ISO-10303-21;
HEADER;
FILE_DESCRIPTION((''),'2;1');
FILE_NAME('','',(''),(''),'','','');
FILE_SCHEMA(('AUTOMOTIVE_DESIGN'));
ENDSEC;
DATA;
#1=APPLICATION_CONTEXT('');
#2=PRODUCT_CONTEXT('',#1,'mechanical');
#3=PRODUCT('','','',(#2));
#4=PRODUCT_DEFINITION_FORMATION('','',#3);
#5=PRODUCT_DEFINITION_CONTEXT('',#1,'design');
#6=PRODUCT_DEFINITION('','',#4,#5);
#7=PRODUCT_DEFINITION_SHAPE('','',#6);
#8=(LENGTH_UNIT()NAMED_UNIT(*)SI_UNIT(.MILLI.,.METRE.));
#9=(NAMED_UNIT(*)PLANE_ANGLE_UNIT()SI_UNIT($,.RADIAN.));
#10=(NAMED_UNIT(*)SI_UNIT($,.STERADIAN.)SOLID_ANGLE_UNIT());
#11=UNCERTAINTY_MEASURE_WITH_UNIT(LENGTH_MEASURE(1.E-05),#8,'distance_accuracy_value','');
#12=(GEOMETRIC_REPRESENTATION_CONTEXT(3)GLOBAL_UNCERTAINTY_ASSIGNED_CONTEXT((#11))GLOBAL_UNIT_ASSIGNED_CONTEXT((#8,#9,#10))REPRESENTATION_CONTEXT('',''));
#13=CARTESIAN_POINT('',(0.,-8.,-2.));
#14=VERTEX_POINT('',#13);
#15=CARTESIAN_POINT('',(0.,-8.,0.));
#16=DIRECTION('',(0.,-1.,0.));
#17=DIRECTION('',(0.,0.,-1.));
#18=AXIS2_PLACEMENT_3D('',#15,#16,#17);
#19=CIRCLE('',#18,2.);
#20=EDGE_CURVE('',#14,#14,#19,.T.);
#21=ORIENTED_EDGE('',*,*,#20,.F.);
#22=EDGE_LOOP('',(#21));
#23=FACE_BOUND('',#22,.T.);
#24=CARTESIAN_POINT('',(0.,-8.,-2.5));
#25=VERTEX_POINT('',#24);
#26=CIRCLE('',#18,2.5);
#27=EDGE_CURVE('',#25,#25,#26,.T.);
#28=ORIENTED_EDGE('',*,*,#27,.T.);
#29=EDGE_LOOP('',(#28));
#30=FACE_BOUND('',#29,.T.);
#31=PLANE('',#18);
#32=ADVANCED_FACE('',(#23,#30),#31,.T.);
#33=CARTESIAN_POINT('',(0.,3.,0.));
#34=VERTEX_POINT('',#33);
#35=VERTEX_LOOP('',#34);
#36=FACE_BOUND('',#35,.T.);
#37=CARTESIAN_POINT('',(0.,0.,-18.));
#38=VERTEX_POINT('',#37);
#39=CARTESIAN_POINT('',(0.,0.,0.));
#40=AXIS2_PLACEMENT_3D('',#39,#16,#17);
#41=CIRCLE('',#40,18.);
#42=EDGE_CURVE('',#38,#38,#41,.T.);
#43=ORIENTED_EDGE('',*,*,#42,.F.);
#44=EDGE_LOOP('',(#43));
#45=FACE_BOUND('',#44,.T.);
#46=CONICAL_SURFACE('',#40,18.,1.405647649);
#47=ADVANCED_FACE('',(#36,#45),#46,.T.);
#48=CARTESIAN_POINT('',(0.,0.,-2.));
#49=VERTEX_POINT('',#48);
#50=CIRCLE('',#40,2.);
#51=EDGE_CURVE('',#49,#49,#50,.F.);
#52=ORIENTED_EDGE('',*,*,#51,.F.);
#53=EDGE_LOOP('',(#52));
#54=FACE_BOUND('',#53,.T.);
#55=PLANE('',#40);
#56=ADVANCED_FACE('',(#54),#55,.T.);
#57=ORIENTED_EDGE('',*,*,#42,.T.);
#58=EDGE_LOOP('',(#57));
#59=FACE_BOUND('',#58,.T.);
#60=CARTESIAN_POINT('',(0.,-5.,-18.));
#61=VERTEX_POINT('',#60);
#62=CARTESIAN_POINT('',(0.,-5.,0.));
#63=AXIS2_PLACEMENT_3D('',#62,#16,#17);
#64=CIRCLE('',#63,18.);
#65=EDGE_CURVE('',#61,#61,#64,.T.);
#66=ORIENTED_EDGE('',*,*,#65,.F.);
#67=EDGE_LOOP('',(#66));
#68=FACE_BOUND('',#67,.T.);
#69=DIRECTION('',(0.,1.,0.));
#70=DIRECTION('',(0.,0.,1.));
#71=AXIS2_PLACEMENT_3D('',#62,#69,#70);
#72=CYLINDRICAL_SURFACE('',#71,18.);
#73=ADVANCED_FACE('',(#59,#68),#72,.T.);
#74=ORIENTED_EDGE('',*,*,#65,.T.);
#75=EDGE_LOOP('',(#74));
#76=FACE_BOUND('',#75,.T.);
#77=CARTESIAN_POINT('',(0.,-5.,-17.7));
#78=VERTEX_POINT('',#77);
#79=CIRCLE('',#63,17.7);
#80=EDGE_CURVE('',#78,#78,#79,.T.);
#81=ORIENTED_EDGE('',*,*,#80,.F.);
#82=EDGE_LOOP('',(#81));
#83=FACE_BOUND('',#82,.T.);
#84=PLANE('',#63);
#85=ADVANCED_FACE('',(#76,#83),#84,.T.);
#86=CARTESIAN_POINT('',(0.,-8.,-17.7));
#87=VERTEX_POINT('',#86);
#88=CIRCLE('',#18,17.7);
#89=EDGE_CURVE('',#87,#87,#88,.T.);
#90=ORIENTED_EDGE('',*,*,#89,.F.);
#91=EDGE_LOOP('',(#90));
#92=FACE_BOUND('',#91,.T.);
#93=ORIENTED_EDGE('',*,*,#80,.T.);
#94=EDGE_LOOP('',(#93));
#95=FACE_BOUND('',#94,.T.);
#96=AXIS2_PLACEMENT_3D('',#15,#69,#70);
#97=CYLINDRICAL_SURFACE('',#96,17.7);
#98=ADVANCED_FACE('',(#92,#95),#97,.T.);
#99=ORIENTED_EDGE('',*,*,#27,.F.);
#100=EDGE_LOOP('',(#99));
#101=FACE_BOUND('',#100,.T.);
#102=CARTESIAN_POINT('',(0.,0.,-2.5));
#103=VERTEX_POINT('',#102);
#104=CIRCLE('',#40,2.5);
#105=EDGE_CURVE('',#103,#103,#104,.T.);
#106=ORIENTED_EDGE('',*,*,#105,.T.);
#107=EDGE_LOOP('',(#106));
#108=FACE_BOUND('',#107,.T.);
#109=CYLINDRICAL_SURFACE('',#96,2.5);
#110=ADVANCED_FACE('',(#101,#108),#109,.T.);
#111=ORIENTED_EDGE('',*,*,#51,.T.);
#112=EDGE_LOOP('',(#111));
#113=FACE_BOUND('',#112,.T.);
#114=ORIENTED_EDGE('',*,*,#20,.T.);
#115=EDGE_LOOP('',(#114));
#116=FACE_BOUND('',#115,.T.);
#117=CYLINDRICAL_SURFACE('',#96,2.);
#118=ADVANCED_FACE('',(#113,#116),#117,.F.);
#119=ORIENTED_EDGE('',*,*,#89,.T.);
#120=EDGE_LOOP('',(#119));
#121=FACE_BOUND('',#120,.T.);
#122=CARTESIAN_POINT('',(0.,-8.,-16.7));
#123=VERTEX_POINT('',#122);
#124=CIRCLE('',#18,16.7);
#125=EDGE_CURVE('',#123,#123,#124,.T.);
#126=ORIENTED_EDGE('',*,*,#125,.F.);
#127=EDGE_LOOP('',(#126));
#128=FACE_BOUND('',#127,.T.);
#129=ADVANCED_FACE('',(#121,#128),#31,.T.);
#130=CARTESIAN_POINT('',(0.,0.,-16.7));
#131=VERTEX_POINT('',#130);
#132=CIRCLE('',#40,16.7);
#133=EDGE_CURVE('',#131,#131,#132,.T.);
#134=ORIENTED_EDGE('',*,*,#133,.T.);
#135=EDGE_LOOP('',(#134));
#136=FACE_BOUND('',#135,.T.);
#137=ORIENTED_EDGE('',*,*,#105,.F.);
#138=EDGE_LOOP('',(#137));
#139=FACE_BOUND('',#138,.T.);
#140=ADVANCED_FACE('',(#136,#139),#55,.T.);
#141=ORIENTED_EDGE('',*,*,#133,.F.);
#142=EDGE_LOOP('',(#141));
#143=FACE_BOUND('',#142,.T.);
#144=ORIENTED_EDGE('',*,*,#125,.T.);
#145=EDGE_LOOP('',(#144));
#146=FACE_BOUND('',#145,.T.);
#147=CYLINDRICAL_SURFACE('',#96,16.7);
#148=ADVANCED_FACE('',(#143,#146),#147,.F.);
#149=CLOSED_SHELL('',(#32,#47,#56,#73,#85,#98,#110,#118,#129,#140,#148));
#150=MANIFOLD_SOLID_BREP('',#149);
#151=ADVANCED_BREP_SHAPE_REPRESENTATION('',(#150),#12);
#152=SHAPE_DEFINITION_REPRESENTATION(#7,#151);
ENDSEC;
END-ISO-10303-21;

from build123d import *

# Parameters (mm, degrees)
SKETCH2_R           = 18
BOSS_EXTRUDE1_DEPTH = 5
SKETCH3_R           = 17.7
SKETCH3_R_2         = 16.7
BOSS_EXTRUDE2_DEPTH = 3
CUT_EXTRUDE1_START  = -5
SKETCH4_R           = 16.7
CUT_EXTRUDE1_DEPTH  = 5
SKETCH5_R           = 2.5
SKETCH5_R_2         = 2
BOSS_EXTRUDE3_DEPTH = 8


with BuildPart() as part:
    # Sketch1 → Revolve1 (revolve)
    with BuildSketch(Plane(origin=(0, 0, 0), x_dir=(0, 0, -1), z_dir=(1, 0, 0))):
        Polygon((0, 0), (0, 3), (18, 0), align=None)
    revolve(axis=Axis((0, 0, 0), (0, 1, 0)))

    # Sketch2 → Boss-Extrude1 (add)
    with BuildSketch(Plane.XZ):
        with Locations(Location((0, 0, 0), (0, 0, 270))):
            Circle(SKETCH2_R)
    extrude(amount=BOSS_EXTRUDE1_DEPTH)

    # Sketch3 → Boss-Extrude2 (add)
    with BuildSketch(Plane.XZ.offset(5)):
        with Locations(Location((0, 0, 0), (0, 0, 270))):
            Circle(SKETCH3_R)
        with Locations(Location((0, 0, 0), (0, 0, 270))):
            Circle(SKETCH3_R_2, mode=Mode.SUBTRACT)
    extrude(amount=BOSS_EXTRUDE2_DEPTH)

    # Sketch4 → Cut-Extrude1 (cut)
    with BuildSketch(Plane.XZ.offset(5).offset(CUT_EXTRUDE1_START)):
        with Locations(Location((0, 0, 0), (0, 0, 270))):
            Circle(SKETCH4_R)
    extrude(amount=CUT_EXTRUDE1_DEPTH, mode=Mode.SUBTRACT)

    # Sketch5 → Boss-Extrude3 (add)
    with BuildSketch(Plane.XZ):
        with Locations(Location((0, 0, 0), (0, 0, 270))):
            Circle(SKETCH5_R)
        with Locations(Location((0, 0, 0), (0, 0, 270))):
            Circle(SKETCH5_R_2, mode=Mode.SUBTRACT)
    extrude(amount=BOSS_EXTRUDE3_DEPTH)


solid = part.part
